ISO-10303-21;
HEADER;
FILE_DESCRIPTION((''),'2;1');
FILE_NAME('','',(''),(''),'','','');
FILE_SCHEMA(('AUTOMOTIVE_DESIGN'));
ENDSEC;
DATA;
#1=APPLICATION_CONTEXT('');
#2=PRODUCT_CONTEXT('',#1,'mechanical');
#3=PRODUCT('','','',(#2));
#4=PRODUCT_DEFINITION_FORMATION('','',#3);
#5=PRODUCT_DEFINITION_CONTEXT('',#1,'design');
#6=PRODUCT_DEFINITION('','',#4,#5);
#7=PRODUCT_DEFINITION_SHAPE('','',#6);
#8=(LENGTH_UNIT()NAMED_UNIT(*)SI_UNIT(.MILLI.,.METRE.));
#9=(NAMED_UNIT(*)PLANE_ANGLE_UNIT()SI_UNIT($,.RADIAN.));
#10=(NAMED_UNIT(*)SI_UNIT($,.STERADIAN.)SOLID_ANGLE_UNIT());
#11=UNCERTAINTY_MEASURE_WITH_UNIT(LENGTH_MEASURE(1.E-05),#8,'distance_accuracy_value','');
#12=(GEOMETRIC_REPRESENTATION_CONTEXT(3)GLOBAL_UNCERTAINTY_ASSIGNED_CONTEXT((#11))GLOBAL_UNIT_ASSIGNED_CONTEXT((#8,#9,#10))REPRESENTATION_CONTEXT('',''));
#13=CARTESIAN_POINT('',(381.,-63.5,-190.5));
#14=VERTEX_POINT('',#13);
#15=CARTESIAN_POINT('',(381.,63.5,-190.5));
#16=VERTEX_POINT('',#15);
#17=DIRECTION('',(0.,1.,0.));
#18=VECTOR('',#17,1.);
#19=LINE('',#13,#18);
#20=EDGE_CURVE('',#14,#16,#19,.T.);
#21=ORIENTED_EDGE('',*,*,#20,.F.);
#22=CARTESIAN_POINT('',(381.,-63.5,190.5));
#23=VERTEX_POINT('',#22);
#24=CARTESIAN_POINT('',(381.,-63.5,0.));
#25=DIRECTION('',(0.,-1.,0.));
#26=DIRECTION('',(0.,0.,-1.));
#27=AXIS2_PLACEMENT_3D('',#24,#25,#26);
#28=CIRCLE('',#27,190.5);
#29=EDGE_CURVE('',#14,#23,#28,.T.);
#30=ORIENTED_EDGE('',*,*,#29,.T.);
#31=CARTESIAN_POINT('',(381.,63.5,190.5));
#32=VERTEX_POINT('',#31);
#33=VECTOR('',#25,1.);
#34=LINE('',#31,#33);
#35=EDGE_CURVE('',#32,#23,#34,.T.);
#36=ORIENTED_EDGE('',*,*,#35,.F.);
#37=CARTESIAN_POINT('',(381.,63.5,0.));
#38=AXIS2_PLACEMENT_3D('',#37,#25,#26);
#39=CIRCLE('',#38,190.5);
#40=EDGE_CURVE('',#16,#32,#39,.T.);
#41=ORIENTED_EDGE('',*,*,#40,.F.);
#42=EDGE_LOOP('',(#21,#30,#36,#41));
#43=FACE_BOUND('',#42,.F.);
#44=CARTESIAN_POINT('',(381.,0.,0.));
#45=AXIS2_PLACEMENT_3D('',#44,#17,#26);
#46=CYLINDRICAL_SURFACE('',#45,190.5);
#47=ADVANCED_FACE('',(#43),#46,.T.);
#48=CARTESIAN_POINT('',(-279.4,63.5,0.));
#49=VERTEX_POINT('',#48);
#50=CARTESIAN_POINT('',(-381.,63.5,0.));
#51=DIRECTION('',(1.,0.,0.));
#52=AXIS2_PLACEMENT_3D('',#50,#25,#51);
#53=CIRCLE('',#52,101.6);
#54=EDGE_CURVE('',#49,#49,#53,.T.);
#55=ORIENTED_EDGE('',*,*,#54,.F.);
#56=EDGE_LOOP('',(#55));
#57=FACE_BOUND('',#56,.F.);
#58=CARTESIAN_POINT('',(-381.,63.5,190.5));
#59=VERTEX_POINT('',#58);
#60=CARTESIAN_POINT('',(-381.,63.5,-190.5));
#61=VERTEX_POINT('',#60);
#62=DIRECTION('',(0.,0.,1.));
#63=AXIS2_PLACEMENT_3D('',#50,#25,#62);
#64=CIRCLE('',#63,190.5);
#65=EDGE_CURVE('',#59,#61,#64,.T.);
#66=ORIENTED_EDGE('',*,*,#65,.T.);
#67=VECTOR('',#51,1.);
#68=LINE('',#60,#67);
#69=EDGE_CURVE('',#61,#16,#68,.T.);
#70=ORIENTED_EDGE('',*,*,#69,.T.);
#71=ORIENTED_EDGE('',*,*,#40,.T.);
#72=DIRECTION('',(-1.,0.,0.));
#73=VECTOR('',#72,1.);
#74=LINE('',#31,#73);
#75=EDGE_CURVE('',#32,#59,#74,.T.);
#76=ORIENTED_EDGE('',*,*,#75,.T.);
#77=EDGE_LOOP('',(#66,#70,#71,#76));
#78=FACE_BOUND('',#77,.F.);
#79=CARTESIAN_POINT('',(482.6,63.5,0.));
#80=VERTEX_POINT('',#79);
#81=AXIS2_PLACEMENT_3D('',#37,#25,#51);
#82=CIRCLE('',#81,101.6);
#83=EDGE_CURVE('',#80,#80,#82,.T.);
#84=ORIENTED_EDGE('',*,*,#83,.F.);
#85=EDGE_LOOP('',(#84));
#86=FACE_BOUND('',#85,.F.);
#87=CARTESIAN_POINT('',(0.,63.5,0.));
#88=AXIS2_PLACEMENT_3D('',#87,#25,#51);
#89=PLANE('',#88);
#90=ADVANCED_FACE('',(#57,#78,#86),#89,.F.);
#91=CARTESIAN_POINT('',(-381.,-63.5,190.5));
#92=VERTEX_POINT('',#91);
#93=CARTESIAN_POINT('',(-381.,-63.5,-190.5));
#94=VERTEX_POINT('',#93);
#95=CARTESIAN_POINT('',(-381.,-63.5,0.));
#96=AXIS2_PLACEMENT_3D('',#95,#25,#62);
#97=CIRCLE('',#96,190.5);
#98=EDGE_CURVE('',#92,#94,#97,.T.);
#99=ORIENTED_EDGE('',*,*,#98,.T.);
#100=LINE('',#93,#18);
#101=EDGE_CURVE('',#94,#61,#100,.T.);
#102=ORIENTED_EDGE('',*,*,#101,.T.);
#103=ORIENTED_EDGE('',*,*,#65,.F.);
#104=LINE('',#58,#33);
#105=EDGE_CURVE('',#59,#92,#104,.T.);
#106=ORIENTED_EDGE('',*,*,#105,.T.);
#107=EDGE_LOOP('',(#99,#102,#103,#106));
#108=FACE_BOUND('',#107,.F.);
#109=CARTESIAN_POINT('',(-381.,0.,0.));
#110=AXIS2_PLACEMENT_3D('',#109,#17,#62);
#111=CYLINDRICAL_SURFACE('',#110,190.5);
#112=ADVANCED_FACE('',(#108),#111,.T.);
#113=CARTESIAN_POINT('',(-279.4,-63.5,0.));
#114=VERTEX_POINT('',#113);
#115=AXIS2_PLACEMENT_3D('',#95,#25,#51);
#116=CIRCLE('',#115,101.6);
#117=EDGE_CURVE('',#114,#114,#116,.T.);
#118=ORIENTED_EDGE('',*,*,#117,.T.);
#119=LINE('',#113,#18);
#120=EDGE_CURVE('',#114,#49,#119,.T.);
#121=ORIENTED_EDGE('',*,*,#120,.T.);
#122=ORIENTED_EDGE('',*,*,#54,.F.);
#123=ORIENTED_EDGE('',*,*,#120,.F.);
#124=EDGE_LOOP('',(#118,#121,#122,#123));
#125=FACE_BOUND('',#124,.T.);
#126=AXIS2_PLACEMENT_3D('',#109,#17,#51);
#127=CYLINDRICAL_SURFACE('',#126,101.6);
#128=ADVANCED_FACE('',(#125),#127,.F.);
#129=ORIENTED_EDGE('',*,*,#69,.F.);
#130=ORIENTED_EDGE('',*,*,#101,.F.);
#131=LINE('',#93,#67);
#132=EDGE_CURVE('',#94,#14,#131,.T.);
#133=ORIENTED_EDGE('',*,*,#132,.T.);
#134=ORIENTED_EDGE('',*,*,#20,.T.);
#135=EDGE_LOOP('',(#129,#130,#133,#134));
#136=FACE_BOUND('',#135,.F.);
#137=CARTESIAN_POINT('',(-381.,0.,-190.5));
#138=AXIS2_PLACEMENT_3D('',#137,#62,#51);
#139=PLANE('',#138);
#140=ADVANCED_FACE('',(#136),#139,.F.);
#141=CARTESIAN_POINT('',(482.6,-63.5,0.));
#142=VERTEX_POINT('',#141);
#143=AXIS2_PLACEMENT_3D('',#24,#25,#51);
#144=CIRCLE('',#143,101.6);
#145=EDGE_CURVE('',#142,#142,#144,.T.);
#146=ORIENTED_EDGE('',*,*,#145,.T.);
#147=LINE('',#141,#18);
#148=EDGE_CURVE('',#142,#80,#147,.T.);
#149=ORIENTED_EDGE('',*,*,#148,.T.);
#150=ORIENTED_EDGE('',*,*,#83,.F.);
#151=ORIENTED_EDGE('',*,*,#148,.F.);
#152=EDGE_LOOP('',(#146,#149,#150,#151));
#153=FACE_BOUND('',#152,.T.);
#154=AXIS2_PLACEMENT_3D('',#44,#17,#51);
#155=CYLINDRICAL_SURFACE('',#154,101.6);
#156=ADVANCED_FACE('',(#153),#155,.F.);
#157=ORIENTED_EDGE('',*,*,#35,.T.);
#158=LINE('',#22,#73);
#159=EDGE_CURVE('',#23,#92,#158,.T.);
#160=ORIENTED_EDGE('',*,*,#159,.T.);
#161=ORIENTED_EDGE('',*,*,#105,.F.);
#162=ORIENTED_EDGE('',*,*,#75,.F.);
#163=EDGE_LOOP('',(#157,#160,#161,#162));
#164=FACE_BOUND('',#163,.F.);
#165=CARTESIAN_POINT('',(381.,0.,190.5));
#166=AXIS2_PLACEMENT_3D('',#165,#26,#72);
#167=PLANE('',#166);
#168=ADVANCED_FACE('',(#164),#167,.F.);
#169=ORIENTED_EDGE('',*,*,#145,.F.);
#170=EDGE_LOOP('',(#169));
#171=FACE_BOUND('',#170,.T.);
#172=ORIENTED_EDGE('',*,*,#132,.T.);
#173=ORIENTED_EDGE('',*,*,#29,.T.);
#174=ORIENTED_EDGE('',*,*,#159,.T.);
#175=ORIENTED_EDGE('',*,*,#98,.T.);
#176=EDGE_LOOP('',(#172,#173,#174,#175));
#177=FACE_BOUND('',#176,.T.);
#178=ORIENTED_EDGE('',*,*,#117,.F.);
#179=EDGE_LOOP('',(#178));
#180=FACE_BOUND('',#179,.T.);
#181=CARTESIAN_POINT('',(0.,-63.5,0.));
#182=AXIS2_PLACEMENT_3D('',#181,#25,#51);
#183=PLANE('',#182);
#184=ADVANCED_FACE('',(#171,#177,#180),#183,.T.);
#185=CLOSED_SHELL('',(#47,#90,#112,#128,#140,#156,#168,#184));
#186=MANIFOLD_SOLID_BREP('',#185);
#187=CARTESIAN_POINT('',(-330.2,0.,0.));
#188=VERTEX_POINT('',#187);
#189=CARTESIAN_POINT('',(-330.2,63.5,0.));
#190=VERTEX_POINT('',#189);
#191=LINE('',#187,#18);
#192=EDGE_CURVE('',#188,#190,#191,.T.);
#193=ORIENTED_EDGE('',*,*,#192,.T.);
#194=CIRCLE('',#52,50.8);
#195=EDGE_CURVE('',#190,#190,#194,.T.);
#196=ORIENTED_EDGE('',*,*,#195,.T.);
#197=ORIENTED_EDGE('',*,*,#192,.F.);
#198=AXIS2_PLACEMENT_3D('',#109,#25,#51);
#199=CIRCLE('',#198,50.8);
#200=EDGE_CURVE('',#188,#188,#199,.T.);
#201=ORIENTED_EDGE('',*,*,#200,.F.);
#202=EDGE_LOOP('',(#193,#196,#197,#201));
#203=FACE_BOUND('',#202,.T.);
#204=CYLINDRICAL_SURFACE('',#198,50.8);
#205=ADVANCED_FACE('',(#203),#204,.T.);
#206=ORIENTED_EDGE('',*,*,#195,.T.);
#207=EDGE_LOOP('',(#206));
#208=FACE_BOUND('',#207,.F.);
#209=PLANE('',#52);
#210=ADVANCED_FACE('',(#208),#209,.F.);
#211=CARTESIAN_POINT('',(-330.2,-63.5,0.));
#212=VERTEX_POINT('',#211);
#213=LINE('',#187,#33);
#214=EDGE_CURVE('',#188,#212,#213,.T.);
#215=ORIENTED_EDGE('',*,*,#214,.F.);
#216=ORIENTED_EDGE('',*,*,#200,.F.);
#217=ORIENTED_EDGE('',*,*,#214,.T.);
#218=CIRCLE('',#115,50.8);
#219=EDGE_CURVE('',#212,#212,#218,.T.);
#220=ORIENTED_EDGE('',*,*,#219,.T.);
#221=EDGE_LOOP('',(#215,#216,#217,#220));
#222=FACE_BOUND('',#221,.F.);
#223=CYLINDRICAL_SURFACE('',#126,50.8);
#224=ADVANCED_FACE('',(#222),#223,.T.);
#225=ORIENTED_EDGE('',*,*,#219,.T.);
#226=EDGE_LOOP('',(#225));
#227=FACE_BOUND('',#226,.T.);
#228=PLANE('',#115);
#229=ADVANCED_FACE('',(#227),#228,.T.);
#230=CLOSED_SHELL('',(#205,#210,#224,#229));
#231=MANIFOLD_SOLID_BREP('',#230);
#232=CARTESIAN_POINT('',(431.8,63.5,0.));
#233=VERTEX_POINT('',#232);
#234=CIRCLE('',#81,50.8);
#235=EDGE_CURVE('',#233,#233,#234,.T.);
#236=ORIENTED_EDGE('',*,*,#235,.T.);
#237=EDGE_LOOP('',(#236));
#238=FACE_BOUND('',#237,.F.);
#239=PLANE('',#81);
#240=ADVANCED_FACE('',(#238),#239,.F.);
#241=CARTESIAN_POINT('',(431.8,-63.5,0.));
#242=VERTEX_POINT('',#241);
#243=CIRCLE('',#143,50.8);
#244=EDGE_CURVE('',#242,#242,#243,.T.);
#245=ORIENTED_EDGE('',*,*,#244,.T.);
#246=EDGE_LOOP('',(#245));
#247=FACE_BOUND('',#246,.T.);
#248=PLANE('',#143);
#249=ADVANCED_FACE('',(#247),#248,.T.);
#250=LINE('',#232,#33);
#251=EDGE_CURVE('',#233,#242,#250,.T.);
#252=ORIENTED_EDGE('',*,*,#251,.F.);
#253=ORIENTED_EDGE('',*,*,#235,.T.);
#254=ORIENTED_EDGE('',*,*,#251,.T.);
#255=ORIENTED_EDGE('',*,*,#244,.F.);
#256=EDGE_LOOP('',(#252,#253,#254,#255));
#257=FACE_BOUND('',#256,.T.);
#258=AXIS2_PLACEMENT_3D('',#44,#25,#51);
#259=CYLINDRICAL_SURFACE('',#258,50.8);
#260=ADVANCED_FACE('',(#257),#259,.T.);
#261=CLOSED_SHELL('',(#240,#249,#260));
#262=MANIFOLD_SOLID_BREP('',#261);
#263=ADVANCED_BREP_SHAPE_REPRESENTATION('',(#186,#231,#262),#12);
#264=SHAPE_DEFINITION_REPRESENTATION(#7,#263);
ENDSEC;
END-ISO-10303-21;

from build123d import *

# Parameters (mm, degrees)
F0_R     = 101.6
F0_R_2   = 50.8
F1_DEPTH = 63.5


with BuildPart() as f1:
    # F0 (on Front) → F1 (new body, symmetric)
    with BuildSketch(Plane.XZ):
        with BuildLine():
            ThreePointArc((381, -190.5), (571.5, 0), (381, 190.5))
            Line((381, 190.5), (-381, 190.5))
            ThreePointArc((-381, 190.5), (-571.5, 0), (-381, -190.5))
            Line((-381, -190.5), (381, -190.5))
        make_face()
        with Locations((-381, 0)):
            Circle(F0_R, mode=Mode.SUBTRACT)
        with Locations((381, 0)):
            Circle(F0_R, mode=Mode.SUBTRACT)
        with Locations((-381, 0)):
            Circle(F0_R_2)
        with Locations((381, 0)):
            Circle(F0_R_2)
    extrude(amount=F1_DEPTH, both=True)


solid = f1.part
